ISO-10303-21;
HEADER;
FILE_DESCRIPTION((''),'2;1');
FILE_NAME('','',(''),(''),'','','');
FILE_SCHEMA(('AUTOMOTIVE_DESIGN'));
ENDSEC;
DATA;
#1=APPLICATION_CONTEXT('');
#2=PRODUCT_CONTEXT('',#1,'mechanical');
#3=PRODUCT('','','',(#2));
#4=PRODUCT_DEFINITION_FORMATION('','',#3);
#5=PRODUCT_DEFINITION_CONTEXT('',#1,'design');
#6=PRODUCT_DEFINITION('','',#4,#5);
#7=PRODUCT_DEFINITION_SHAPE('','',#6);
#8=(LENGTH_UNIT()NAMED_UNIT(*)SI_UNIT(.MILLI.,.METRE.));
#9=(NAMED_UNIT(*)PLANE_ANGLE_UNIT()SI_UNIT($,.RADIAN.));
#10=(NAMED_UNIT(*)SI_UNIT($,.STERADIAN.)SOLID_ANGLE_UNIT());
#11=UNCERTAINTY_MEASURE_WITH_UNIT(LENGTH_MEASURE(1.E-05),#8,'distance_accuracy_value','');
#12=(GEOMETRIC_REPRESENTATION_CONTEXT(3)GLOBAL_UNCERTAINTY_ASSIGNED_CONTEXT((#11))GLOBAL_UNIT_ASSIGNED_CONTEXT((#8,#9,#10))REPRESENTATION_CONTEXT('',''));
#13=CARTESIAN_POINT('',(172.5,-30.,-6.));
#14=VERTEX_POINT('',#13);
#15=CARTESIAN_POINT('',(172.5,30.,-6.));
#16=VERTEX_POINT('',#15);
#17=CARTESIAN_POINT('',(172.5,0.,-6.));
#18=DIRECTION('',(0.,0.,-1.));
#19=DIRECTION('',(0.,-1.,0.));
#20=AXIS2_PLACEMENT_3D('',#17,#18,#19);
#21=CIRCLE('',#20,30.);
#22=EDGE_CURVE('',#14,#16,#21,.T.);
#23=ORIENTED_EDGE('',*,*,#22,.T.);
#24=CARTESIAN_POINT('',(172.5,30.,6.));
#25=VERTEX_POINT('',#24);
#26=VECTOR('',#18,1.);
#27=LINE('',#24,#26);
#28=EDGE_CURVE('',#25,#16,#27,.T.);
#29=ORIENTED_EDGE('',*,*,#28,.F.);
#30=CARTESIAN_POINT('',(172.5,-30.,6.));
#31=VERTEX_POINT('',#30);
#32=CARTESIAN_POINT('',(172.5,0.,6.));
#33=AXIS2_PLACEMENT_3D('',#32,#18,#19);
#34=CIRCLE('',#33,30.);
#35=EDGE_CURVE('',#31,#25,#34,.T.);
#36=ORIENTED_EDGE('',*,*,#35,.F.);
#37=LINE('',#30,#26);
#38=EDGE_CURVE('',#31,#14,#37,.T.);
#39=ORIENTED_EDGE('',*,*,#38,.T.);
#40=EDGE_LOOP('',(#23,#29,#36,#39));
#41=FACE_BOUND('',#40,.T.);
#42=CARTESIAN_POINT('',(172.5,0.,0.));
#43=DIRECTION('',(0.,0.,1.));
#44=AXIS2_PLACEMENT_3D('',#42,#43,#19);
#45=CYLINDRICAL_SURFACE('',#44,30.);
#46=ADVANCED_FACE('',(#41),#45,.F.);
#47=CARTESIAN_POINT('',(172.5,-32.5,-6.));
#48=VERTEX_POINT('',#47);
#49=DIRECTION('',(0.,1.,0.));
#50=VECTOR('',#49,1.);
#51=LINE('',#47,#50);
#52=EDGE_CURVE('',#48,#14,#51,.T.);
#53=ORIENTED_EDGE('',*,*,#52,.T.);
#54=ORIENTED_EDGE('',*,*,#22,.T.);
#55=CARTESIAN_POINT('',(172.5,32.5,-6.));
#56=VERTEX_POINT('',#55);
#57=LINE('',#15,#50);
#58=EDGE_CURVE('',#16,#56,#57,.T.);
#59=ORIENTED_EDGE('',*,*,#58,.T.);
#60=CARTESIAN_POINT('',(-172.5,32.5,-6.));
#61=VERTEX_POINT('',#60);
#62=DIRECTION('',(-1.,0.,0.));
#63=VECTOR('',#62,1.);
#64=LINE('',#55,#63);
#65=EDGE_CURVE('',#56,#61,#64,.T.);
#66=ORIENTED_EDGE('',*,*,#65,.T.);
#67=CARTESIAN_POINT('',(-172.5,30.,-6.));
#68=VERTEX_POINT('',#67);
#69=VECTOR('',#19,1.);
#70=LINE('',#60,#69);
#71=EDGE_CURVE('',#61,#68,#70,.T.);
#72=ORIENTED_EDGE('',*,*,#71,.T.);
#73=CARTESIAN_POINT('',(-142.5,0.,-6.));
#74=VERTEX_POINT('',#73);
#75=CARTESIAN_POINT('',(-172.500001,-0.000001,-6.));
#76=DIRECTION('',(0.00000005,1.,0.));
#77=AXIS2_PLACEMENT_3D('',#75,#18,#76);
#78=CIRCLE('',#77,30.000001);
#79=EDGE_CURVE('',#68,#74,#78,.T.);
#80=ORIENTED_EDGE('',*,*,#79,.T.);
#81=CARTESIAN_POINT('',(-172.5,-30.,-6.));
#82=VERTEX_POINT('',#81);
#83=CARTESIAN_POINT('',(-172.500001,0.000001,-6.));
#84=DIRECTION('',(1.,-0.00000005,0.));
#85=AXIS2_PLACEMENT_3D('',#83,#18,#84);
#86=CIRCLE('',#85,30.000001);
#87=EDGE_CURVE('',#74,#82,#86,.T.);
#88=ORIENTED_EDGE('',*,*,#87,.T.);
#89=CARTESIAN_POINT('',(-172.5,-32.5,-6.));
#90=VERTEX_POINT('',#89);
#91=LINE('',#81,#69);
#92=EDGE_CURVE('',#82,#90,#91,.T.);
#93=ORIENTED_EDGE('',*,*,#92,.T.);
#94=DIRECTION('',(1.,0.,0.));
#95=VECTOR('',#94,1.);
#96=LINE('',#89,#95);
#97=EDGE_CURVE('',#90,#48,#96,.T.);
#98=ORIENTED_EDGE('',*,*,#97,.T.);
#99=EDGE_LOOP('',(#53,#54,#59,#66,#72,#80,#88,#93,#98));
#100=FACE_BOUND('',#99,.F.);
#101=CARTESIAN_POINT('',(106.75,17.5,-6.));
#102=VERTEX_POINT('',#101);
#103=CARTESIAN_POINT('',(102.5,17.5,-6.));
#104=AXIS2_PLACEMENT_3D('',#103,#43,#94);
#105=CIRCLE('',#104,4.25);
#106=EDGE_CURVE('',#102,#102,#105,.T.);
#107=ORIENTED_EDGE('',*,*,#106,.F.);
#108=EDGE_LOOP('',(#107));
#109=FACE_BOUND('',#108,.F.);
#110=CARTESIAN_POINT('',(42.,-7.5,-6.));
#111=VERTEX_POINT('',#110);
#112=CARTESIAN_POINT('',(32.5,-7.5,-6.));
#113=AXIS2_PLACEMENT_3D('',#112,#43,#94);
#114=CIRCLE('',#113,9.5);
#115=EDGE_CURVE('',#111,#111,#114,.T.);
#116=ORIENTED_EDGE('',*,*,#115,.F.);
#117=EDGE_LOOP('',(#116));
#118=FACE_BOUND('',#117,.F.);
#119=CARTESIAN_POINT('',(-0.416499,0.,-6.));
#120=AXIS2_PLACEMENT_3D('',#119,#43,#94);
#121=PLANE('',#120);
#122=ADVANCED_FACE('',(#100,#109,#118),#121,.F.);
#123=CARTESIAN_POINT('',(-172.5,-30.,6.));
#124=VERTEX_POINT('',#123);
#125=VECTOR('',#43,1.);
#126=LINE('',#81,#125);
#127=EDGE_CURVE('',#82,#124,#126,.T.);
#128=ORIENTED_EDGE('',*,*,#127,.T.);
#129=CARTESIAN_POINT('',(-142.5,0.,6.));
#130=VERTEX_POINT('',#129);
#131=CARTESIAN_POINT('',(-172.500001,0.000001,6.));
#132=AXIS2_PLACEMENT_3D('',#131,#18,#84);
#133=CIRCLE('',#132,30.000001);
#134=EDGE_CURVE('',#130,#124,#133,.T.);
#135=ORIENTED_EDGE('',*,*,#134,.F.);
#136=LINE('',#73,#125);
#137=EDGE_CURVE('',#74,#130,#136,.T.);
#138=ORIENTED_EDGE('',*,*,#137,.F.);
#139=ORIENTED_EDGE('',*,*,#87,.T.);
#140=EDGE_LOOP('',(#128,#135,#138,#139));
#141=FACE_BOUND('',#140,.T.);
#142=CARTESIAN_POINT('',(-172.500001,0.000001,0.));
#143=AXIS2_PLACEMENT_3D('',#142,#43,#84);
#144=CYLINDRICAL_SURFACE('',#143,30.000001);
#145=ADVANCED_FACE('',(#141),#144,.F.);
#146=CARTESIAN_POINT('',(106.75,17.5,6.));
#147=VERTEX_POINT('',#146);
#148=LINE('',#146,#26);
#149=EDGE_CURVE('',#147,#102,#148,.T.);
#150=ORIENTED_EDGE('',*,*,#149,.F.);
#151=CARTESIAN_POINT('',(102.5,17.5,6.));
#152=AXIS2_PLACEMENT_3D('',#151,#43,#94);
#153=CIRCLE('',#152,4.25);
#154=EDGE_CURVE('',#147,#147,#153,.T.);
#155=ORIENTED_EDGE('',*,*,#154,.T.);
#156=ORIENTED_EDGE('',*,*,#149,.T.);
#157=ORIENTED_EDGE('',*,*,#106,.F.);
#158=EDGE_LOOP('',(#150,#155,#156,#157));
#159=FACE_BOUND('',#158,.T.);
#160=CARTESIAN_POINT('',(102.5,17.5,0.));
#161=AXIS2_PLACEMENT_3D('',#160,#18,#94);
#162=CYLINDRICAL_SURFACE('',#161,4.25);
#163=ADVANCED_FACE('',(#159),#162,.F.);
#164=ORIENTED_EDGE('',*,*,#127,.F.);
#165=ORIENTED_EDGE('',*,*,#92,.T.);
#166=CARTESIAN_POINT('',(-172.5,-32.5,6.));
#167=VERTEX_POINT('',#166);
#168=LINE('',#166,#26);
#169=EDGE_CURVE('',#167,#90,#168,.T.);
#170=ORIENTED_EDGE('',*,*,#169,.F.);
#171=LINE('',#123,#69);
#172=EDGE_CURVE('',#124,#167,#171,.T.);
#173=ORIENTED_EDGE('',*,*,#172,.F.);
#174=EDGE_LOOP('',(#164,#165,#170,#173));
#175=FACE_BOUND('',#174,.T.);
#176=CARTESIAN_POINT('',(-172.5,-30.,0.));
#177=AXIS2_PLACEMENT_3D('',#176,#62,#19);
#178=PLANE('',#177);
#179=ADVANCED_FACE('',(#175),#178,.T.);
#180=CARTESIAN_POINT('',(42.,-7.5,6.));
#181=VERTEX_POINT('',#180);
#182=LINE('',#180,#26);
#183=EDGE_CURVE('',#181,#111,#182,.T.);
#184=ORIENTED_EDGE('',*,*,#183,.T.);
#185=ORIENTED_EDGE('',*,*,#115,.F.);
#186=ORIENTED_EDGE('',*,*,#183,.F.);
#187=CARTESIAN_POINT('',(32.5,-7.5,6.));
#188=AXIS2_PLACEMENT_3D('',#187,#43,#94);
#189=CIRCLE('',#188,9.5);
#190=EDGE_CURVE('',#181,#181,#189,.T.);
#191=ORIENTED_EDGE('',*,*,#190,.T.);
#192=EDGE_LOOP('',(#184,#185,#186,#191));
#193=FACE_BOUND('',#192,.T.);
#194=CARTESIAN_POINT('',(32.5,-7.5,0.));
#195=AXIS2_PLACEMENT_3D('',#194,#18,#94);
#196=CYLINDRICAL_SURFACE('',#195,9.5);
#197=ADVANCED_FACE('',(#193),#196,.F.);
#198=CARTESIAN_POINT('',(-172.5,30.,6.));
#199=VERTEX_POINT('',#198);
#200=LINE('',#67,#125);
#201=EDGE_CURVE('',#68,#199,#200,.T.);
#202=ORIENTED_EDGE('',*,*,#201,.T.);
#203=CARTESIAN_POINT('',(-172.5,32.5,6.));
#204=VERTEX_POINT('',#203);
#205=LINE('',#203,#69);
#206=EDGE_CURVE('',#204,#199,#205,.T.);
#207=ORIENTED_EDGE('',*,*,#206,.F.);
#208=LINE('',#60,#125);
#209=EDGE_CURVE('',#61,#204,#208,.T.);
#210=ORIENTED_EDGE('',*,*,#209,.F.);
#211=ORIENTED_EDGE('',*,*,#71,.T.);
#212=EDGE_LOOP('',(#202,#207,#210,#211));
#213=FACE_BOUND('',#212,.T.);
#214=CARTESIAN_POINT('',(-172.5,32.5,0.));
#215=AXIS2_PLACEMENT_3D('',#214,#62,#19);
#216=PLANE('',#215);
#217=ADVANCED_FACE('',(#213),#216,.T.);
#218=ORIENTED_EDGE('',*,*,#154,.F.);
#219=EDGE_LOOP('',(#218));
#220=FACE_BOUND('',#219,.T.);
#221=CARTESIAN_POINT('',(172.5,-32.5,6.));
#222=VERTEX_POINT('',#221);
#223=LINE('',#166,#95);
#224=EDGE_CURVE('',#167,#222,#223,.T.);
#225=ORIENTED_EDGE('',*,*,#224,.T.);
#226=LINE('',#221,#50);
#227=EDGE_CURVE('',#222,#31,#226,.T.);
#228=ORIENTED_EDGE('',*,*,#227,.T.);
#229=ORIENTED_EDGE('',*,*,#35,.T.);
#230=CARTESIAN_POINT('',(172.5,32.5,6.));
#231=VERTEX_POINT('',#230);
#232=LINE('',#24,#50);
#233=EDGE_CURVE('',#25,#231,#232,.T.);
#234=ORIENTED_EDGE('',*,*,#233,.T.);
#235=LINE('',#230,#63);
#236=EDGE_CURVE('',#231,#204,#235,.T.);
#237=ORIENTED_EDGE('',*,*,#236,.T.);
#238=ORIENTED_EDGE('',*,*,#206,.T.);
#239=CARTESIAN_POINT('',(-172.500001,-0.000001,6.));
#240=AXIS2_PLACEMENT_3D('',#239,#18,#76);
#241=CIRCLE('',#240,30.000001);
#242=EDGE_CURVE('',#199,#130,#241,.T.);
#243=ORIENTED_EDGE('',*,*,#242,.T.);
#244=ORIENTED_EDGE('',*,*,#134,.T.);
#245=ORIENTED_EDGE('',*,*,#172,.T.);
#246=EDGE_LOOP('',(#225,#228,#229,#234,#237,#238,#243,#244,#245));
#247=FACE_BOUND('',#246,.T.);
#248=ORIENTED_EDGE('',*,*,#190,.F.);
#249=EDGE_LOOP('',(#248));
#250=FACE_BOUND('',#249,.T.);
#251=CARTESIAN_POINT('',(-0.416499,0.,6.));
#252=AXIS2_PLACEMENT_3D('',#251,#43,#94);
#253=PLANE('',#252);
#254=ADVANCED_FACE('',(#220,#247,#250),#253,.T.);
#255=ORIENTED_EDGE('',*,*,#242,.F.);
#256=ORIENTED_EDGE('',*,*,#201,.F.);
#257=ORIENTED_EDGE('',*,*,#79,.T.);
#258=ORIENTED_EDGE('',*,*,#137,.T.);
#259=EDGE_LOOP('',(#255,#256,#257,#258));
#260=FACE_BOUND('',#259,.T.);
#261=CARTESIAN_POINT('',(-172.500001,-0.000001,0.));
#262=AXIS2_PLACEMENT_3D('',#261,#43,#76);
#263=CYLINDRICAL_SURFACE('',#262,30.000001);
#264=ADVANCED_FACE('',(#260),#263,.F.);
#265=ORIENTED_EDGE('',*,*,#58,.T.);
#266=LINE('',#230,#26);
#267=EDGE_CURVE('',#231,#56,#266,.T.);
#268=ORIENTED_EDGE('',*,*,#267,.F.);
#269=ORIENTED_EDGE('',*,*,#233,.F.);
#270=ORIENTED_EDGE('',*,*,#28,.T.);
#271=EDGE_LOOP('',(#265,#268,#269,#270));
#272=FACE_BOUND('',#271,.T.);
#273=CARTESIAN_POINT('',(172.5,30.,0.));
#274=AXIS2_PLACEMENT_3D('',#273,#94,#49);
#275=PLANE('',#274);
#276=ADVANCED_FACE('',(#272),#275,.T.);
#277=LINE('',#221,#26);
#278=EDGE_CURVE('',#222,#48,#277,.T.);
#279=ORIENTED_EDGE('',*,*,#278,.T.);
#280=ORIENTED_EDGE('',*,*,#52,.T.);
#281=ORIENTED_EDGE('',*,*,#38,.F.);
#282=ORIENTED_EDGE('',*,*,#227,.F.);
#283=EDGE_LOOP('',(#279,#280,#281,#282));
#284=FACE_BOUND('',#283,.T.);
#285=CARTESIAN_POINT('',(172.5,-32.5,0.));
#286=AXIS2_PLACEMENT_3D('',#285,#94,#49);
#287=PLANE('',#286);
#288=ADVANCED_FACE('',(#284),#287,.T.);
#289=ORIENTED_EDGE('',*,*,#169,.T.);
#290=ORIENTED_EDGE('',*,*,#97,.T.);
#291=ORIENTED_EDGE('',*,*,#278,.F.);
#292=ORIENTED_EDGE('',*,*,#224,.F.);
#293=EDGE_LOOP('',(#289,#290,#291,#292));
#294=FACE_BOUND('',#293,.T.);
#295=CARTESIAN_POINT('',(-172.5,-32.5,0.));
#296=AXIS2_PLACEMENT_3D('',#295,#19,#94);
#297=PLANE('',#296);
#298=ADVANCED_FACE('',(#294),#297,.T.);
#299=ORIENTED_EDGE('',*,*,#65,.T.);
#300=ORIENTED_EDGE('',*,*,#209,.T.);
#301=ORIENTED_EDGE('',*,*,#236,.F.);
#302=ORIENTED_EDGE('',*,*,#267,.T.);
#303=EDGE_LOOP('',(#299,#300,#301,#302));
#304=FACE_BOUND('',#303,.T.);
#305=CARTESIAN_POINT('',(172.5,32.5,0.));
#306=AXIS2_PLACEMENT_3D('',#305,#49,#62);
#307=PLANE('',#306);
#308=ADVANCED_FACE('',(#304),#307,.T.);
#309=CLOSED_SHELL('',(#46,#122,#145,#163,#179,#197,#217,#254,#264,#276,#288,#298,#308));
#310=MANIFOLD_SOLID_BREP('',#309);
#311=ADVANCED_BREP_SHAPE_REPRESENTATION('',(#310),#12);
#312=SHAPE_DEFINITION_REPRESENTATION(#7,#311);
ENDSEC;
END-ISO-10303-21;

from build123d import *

# Parameters (mm, degrees)
F0_R     = 9.5
F0_R_2   = 4.25
F1_DEPTH = 6


with BuildPart() as f1:
    # F0 (on Top) → F1 (new body, symmetric)
    with BuildSketch(Plane.XY):
        with BuildLine():
            Line((172.5, 32.5), (-172.5, 32.5))
            Line((-172.5, 32.5), (-172.5, 30))
            ThreePointArc((-172.5, 30), (-151.286797, 21.213203), (-142.5, 0))
            ThreePointArc((-142.5, 0), (-151.286797, -21.213203), (-172.5, -30))
            Line((-172.5, -30), (-172.5, -32.5))
            Line((-172.5, -32.5), (172.5, -32.5))
            Line((172.5, -32.5), (172.5, -30))
            ThreePointArc((172.5, -30), (142.5, 0), (172.5, 30))
            Line((172.5, 30), (172.5, 32.5))
        make_face()
        with Locations((32.5, -7.5)):
            Circle(F0_R, mode=Mode.SUBTRACT)
        with Locations((102.5, 17.5)):
            Circle(F0_R_2, mode=Mode.SUBTRACT)
    extrude(amount=F1_DEPTH, both=True)


solid = f1.part
